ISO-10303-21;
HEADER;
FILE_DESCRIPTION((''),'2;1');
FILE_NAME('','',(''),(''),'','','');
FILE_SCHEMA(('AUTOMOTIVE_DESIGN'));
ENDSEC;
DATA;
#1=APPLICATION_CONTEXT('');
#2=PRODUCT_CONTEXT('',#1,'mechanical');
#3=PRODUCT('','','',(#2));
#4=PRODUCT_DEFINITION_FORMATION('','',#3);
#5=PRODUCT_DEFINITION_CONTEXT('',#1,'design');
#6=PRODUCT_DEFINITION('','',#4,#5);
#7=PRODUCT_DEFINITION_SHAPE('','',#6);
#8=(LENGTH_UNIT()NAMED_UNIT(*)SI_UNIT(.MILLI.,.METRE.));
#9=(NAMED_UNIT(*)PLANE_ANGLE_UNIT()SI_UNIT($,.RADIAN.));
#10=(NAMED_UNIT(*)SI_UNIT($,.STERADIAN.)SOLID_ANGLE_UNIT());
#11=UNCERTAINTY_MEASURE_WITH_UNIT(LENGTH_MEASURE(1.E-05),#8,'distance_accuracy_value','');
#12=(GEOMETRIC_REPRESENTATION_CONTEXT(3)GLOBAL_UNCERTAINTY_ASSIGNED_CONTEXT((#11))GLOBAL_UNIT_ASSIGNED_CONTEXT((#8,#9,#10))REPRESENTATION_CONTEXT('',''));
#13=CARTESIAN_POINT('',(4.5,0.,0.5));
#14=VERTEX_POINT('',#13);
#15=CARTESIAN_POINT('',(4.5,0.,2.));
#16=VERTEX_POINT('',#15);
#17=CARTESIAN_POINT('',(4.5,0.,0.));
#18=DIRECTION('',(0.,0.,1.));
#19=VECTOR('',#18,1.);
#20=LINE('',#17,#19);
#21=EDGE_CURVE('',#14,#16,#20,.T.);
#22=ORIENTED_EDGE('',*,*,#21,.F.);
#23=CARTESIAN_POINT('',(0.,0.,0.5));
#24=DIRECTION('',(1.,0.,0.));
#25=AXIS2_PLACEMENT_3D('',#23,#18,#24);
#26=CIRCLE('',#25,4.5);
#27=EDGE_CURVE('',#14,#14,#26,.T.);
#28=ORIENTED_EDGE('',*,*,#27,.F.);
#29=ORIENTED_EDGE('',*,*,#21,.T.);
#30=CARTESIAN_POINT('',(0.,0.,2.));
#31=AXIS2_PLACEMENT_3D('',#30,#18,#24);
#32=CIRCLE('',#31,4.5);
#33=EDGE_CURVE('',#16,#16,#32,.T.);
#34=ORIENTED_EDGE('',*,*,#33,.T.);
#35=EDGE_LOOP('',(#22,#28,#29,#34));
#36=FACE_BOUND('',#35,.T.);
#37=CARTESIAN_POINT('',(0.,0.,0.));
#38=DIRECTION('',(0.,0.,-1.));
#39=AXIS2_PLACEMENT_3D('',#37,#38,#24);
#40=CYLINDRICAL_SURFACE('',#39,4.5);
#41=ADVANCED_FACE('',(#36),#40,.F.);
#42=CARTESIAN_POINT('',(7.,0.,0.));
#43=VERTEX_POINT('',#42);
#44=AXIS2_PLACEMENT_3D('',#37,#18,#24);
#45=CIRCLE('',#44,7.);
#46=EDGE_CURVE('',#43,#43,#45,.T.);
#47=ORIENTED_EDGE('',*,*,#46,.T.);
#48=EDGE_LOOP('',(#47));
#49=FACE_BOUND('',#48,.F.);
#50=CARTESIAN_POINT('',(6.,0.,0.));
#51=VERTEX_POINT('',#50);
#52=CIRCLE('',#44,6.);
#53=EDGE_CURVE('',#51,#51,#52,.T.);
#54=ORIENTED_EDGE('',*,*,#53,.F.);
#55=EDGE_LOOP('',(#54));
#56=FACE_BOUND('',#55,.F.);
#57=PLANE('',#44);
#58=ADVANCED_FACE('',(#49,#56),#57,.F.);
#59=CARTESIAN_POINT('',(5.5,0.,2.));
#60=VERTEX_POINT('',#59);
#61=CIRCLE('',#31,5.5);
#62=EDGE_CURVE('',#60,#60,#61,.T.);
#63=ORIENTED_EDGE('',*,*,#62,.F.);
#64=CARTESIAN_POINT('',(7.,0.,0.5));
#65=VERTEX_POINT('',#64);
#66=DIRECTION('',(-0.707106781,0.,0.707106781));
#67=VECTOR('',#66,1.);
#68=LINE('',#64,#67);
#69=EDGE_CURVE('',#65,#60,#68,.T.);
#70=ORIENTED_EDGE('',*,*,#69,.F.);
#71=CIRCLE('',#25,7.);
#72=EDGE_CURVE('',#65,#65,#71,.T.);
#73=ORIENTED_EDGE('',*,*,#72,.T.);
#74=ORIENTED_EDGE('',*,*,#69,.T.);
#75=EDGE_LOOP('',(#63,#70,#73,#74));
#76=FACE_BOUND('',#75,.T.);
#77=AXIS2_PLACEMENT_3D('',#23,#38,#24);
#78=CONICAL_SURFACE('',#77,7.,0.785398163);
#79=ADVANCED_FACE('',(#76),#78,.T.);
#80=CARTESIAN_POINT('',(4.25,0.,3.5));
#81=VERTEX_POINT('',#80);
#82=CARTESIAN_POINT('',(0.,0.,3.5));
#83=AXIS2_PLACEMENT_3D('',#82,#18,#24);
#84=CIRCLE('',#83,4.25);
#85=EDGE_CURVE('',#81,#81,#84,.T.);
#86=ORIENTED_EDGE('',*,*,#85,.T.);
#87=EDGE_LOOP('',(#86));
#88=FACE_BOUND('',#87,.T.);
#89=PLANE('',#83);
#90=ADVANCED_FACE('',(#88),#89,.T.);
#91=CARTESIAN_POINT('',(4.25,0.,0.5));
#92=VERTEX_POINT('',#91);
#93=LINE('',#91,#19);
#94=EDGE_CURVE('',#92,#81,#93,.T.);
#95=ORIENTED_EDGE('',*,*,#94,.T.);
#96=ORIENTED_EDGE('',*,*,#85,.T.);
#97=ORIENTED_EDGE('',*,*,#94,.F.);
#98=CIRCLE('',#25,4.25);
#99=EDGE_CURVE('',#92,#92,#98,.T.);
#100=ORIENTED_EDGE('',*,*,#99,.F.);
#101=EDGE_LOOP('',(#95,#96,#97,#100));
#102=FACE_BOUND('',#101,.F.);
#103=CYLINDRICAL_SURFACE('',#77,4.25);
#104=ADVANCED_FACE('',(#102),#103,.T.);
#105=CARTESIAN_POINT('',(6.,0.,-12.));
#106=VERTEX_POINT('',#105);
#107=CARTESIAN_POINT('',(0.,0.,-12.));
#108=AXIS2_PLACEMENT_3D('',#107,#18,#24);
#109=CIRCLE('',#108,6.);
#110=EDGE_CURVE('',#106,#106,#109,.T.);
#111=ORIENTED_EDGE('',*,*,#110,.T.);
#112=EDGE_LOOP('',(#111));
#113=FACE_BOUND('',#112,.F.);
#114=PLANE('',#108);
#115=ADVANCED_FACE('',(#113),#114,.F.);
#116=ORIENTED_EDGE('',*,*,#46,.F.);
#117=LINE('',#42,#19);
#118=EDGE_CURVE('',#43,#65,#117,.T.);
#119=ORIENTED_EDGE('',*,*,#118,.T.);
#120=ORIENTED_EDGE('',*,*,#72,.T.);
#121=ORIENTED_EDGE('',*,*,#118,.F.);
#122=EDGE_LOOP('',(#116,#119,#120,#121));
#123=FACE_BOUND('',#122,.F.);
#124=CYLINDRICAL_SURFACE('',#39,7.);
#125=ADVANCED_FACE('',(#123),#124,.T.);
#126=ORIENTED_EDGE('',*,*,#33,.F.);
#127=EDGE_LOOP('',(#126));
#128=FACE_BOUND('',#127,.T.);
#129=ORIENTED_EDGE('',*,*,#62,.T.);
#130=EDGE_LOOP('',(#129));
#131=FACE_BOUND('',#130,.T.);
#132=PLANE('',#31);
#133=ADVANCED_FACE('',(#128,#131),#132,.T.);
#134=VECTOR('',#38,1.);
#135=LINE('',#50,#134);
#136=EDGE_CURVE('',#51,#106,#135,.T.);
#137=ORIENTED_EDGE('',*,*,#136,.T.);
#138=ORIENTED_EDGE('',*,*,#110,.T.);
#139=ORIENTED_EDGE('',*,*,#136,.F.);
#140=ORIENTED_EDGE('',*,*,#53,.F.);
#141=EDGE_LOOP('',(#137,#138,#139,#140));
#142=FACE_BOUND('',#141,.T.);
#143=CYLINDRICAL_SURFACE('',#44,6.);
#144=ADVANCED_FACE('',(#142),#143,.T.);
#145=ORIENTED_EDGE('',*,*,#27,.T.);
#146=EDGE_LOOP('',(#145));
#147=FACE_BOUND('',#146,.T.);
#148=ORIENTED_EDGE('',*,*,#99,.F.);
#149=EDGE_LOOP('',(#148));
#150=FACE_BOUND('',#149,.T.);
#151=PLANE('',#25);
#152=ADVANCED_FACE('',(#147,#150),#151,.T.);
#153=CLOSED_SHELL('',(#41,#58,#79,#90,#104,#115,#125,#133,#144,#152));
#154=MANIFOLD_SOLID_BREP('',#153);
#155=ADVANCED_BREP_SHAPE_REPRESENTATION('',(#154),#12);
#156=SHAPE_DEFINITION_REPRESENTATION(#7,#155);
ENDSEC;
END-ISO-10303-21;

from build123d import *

# Parameters (mm, degrees)
F0_R     = 7
F0_R_2   = 6
F0_R_3   = 4.5
F1_DEPTH = 2
F2_SIZE  = 1.5
F3_DEPTH = 0.5
F4_R     = 4.25
F5_DEPTH = 3
F6_DEPTH = 12


with BuildPart() as f1:
    # F0 (on Top) → F1 (new body)
    with BuildSketch(Plane.XY):
        Circle(F0_R)
        Circle(F0_R_2, mode=Mode.SUBTRACT)
        Circle(F0_R_2)
        Circle(F0_R_3, mode=Mode.SUBTRACT)
    extrude(amount=F1_DEPTH)

    # F2
    f2_edges = [f1.edges().sort_by_distance(p)[0] for p in [
        (-7, 0, 2),
    ]]
    chamfer(f2_edges, length=F2_SIZE)

    # F0 (on Top) → F3 (join)
    with BuildSketch(Plane.XY):
        Circle(F0_R_3)
    extrude(amount=F3_DEPTH)

    # F4 (on face) → F5 (join)
    with BuildSketch(Plane.XY.offset(0.5)):
        Circle(F4_R)
    extrude(amount=F5_DEPTH)

    # F0 (on Top) → F6 (join)
    with BuildSketch(Plane.XY):
        Circle(F0_R_2)
        Circle(F0_R_3, mode=Mode.SUBTRACT)
        Circle(F0_R_3)
    extrude(amount=-F6_DEPTH)


solid = f1.part
